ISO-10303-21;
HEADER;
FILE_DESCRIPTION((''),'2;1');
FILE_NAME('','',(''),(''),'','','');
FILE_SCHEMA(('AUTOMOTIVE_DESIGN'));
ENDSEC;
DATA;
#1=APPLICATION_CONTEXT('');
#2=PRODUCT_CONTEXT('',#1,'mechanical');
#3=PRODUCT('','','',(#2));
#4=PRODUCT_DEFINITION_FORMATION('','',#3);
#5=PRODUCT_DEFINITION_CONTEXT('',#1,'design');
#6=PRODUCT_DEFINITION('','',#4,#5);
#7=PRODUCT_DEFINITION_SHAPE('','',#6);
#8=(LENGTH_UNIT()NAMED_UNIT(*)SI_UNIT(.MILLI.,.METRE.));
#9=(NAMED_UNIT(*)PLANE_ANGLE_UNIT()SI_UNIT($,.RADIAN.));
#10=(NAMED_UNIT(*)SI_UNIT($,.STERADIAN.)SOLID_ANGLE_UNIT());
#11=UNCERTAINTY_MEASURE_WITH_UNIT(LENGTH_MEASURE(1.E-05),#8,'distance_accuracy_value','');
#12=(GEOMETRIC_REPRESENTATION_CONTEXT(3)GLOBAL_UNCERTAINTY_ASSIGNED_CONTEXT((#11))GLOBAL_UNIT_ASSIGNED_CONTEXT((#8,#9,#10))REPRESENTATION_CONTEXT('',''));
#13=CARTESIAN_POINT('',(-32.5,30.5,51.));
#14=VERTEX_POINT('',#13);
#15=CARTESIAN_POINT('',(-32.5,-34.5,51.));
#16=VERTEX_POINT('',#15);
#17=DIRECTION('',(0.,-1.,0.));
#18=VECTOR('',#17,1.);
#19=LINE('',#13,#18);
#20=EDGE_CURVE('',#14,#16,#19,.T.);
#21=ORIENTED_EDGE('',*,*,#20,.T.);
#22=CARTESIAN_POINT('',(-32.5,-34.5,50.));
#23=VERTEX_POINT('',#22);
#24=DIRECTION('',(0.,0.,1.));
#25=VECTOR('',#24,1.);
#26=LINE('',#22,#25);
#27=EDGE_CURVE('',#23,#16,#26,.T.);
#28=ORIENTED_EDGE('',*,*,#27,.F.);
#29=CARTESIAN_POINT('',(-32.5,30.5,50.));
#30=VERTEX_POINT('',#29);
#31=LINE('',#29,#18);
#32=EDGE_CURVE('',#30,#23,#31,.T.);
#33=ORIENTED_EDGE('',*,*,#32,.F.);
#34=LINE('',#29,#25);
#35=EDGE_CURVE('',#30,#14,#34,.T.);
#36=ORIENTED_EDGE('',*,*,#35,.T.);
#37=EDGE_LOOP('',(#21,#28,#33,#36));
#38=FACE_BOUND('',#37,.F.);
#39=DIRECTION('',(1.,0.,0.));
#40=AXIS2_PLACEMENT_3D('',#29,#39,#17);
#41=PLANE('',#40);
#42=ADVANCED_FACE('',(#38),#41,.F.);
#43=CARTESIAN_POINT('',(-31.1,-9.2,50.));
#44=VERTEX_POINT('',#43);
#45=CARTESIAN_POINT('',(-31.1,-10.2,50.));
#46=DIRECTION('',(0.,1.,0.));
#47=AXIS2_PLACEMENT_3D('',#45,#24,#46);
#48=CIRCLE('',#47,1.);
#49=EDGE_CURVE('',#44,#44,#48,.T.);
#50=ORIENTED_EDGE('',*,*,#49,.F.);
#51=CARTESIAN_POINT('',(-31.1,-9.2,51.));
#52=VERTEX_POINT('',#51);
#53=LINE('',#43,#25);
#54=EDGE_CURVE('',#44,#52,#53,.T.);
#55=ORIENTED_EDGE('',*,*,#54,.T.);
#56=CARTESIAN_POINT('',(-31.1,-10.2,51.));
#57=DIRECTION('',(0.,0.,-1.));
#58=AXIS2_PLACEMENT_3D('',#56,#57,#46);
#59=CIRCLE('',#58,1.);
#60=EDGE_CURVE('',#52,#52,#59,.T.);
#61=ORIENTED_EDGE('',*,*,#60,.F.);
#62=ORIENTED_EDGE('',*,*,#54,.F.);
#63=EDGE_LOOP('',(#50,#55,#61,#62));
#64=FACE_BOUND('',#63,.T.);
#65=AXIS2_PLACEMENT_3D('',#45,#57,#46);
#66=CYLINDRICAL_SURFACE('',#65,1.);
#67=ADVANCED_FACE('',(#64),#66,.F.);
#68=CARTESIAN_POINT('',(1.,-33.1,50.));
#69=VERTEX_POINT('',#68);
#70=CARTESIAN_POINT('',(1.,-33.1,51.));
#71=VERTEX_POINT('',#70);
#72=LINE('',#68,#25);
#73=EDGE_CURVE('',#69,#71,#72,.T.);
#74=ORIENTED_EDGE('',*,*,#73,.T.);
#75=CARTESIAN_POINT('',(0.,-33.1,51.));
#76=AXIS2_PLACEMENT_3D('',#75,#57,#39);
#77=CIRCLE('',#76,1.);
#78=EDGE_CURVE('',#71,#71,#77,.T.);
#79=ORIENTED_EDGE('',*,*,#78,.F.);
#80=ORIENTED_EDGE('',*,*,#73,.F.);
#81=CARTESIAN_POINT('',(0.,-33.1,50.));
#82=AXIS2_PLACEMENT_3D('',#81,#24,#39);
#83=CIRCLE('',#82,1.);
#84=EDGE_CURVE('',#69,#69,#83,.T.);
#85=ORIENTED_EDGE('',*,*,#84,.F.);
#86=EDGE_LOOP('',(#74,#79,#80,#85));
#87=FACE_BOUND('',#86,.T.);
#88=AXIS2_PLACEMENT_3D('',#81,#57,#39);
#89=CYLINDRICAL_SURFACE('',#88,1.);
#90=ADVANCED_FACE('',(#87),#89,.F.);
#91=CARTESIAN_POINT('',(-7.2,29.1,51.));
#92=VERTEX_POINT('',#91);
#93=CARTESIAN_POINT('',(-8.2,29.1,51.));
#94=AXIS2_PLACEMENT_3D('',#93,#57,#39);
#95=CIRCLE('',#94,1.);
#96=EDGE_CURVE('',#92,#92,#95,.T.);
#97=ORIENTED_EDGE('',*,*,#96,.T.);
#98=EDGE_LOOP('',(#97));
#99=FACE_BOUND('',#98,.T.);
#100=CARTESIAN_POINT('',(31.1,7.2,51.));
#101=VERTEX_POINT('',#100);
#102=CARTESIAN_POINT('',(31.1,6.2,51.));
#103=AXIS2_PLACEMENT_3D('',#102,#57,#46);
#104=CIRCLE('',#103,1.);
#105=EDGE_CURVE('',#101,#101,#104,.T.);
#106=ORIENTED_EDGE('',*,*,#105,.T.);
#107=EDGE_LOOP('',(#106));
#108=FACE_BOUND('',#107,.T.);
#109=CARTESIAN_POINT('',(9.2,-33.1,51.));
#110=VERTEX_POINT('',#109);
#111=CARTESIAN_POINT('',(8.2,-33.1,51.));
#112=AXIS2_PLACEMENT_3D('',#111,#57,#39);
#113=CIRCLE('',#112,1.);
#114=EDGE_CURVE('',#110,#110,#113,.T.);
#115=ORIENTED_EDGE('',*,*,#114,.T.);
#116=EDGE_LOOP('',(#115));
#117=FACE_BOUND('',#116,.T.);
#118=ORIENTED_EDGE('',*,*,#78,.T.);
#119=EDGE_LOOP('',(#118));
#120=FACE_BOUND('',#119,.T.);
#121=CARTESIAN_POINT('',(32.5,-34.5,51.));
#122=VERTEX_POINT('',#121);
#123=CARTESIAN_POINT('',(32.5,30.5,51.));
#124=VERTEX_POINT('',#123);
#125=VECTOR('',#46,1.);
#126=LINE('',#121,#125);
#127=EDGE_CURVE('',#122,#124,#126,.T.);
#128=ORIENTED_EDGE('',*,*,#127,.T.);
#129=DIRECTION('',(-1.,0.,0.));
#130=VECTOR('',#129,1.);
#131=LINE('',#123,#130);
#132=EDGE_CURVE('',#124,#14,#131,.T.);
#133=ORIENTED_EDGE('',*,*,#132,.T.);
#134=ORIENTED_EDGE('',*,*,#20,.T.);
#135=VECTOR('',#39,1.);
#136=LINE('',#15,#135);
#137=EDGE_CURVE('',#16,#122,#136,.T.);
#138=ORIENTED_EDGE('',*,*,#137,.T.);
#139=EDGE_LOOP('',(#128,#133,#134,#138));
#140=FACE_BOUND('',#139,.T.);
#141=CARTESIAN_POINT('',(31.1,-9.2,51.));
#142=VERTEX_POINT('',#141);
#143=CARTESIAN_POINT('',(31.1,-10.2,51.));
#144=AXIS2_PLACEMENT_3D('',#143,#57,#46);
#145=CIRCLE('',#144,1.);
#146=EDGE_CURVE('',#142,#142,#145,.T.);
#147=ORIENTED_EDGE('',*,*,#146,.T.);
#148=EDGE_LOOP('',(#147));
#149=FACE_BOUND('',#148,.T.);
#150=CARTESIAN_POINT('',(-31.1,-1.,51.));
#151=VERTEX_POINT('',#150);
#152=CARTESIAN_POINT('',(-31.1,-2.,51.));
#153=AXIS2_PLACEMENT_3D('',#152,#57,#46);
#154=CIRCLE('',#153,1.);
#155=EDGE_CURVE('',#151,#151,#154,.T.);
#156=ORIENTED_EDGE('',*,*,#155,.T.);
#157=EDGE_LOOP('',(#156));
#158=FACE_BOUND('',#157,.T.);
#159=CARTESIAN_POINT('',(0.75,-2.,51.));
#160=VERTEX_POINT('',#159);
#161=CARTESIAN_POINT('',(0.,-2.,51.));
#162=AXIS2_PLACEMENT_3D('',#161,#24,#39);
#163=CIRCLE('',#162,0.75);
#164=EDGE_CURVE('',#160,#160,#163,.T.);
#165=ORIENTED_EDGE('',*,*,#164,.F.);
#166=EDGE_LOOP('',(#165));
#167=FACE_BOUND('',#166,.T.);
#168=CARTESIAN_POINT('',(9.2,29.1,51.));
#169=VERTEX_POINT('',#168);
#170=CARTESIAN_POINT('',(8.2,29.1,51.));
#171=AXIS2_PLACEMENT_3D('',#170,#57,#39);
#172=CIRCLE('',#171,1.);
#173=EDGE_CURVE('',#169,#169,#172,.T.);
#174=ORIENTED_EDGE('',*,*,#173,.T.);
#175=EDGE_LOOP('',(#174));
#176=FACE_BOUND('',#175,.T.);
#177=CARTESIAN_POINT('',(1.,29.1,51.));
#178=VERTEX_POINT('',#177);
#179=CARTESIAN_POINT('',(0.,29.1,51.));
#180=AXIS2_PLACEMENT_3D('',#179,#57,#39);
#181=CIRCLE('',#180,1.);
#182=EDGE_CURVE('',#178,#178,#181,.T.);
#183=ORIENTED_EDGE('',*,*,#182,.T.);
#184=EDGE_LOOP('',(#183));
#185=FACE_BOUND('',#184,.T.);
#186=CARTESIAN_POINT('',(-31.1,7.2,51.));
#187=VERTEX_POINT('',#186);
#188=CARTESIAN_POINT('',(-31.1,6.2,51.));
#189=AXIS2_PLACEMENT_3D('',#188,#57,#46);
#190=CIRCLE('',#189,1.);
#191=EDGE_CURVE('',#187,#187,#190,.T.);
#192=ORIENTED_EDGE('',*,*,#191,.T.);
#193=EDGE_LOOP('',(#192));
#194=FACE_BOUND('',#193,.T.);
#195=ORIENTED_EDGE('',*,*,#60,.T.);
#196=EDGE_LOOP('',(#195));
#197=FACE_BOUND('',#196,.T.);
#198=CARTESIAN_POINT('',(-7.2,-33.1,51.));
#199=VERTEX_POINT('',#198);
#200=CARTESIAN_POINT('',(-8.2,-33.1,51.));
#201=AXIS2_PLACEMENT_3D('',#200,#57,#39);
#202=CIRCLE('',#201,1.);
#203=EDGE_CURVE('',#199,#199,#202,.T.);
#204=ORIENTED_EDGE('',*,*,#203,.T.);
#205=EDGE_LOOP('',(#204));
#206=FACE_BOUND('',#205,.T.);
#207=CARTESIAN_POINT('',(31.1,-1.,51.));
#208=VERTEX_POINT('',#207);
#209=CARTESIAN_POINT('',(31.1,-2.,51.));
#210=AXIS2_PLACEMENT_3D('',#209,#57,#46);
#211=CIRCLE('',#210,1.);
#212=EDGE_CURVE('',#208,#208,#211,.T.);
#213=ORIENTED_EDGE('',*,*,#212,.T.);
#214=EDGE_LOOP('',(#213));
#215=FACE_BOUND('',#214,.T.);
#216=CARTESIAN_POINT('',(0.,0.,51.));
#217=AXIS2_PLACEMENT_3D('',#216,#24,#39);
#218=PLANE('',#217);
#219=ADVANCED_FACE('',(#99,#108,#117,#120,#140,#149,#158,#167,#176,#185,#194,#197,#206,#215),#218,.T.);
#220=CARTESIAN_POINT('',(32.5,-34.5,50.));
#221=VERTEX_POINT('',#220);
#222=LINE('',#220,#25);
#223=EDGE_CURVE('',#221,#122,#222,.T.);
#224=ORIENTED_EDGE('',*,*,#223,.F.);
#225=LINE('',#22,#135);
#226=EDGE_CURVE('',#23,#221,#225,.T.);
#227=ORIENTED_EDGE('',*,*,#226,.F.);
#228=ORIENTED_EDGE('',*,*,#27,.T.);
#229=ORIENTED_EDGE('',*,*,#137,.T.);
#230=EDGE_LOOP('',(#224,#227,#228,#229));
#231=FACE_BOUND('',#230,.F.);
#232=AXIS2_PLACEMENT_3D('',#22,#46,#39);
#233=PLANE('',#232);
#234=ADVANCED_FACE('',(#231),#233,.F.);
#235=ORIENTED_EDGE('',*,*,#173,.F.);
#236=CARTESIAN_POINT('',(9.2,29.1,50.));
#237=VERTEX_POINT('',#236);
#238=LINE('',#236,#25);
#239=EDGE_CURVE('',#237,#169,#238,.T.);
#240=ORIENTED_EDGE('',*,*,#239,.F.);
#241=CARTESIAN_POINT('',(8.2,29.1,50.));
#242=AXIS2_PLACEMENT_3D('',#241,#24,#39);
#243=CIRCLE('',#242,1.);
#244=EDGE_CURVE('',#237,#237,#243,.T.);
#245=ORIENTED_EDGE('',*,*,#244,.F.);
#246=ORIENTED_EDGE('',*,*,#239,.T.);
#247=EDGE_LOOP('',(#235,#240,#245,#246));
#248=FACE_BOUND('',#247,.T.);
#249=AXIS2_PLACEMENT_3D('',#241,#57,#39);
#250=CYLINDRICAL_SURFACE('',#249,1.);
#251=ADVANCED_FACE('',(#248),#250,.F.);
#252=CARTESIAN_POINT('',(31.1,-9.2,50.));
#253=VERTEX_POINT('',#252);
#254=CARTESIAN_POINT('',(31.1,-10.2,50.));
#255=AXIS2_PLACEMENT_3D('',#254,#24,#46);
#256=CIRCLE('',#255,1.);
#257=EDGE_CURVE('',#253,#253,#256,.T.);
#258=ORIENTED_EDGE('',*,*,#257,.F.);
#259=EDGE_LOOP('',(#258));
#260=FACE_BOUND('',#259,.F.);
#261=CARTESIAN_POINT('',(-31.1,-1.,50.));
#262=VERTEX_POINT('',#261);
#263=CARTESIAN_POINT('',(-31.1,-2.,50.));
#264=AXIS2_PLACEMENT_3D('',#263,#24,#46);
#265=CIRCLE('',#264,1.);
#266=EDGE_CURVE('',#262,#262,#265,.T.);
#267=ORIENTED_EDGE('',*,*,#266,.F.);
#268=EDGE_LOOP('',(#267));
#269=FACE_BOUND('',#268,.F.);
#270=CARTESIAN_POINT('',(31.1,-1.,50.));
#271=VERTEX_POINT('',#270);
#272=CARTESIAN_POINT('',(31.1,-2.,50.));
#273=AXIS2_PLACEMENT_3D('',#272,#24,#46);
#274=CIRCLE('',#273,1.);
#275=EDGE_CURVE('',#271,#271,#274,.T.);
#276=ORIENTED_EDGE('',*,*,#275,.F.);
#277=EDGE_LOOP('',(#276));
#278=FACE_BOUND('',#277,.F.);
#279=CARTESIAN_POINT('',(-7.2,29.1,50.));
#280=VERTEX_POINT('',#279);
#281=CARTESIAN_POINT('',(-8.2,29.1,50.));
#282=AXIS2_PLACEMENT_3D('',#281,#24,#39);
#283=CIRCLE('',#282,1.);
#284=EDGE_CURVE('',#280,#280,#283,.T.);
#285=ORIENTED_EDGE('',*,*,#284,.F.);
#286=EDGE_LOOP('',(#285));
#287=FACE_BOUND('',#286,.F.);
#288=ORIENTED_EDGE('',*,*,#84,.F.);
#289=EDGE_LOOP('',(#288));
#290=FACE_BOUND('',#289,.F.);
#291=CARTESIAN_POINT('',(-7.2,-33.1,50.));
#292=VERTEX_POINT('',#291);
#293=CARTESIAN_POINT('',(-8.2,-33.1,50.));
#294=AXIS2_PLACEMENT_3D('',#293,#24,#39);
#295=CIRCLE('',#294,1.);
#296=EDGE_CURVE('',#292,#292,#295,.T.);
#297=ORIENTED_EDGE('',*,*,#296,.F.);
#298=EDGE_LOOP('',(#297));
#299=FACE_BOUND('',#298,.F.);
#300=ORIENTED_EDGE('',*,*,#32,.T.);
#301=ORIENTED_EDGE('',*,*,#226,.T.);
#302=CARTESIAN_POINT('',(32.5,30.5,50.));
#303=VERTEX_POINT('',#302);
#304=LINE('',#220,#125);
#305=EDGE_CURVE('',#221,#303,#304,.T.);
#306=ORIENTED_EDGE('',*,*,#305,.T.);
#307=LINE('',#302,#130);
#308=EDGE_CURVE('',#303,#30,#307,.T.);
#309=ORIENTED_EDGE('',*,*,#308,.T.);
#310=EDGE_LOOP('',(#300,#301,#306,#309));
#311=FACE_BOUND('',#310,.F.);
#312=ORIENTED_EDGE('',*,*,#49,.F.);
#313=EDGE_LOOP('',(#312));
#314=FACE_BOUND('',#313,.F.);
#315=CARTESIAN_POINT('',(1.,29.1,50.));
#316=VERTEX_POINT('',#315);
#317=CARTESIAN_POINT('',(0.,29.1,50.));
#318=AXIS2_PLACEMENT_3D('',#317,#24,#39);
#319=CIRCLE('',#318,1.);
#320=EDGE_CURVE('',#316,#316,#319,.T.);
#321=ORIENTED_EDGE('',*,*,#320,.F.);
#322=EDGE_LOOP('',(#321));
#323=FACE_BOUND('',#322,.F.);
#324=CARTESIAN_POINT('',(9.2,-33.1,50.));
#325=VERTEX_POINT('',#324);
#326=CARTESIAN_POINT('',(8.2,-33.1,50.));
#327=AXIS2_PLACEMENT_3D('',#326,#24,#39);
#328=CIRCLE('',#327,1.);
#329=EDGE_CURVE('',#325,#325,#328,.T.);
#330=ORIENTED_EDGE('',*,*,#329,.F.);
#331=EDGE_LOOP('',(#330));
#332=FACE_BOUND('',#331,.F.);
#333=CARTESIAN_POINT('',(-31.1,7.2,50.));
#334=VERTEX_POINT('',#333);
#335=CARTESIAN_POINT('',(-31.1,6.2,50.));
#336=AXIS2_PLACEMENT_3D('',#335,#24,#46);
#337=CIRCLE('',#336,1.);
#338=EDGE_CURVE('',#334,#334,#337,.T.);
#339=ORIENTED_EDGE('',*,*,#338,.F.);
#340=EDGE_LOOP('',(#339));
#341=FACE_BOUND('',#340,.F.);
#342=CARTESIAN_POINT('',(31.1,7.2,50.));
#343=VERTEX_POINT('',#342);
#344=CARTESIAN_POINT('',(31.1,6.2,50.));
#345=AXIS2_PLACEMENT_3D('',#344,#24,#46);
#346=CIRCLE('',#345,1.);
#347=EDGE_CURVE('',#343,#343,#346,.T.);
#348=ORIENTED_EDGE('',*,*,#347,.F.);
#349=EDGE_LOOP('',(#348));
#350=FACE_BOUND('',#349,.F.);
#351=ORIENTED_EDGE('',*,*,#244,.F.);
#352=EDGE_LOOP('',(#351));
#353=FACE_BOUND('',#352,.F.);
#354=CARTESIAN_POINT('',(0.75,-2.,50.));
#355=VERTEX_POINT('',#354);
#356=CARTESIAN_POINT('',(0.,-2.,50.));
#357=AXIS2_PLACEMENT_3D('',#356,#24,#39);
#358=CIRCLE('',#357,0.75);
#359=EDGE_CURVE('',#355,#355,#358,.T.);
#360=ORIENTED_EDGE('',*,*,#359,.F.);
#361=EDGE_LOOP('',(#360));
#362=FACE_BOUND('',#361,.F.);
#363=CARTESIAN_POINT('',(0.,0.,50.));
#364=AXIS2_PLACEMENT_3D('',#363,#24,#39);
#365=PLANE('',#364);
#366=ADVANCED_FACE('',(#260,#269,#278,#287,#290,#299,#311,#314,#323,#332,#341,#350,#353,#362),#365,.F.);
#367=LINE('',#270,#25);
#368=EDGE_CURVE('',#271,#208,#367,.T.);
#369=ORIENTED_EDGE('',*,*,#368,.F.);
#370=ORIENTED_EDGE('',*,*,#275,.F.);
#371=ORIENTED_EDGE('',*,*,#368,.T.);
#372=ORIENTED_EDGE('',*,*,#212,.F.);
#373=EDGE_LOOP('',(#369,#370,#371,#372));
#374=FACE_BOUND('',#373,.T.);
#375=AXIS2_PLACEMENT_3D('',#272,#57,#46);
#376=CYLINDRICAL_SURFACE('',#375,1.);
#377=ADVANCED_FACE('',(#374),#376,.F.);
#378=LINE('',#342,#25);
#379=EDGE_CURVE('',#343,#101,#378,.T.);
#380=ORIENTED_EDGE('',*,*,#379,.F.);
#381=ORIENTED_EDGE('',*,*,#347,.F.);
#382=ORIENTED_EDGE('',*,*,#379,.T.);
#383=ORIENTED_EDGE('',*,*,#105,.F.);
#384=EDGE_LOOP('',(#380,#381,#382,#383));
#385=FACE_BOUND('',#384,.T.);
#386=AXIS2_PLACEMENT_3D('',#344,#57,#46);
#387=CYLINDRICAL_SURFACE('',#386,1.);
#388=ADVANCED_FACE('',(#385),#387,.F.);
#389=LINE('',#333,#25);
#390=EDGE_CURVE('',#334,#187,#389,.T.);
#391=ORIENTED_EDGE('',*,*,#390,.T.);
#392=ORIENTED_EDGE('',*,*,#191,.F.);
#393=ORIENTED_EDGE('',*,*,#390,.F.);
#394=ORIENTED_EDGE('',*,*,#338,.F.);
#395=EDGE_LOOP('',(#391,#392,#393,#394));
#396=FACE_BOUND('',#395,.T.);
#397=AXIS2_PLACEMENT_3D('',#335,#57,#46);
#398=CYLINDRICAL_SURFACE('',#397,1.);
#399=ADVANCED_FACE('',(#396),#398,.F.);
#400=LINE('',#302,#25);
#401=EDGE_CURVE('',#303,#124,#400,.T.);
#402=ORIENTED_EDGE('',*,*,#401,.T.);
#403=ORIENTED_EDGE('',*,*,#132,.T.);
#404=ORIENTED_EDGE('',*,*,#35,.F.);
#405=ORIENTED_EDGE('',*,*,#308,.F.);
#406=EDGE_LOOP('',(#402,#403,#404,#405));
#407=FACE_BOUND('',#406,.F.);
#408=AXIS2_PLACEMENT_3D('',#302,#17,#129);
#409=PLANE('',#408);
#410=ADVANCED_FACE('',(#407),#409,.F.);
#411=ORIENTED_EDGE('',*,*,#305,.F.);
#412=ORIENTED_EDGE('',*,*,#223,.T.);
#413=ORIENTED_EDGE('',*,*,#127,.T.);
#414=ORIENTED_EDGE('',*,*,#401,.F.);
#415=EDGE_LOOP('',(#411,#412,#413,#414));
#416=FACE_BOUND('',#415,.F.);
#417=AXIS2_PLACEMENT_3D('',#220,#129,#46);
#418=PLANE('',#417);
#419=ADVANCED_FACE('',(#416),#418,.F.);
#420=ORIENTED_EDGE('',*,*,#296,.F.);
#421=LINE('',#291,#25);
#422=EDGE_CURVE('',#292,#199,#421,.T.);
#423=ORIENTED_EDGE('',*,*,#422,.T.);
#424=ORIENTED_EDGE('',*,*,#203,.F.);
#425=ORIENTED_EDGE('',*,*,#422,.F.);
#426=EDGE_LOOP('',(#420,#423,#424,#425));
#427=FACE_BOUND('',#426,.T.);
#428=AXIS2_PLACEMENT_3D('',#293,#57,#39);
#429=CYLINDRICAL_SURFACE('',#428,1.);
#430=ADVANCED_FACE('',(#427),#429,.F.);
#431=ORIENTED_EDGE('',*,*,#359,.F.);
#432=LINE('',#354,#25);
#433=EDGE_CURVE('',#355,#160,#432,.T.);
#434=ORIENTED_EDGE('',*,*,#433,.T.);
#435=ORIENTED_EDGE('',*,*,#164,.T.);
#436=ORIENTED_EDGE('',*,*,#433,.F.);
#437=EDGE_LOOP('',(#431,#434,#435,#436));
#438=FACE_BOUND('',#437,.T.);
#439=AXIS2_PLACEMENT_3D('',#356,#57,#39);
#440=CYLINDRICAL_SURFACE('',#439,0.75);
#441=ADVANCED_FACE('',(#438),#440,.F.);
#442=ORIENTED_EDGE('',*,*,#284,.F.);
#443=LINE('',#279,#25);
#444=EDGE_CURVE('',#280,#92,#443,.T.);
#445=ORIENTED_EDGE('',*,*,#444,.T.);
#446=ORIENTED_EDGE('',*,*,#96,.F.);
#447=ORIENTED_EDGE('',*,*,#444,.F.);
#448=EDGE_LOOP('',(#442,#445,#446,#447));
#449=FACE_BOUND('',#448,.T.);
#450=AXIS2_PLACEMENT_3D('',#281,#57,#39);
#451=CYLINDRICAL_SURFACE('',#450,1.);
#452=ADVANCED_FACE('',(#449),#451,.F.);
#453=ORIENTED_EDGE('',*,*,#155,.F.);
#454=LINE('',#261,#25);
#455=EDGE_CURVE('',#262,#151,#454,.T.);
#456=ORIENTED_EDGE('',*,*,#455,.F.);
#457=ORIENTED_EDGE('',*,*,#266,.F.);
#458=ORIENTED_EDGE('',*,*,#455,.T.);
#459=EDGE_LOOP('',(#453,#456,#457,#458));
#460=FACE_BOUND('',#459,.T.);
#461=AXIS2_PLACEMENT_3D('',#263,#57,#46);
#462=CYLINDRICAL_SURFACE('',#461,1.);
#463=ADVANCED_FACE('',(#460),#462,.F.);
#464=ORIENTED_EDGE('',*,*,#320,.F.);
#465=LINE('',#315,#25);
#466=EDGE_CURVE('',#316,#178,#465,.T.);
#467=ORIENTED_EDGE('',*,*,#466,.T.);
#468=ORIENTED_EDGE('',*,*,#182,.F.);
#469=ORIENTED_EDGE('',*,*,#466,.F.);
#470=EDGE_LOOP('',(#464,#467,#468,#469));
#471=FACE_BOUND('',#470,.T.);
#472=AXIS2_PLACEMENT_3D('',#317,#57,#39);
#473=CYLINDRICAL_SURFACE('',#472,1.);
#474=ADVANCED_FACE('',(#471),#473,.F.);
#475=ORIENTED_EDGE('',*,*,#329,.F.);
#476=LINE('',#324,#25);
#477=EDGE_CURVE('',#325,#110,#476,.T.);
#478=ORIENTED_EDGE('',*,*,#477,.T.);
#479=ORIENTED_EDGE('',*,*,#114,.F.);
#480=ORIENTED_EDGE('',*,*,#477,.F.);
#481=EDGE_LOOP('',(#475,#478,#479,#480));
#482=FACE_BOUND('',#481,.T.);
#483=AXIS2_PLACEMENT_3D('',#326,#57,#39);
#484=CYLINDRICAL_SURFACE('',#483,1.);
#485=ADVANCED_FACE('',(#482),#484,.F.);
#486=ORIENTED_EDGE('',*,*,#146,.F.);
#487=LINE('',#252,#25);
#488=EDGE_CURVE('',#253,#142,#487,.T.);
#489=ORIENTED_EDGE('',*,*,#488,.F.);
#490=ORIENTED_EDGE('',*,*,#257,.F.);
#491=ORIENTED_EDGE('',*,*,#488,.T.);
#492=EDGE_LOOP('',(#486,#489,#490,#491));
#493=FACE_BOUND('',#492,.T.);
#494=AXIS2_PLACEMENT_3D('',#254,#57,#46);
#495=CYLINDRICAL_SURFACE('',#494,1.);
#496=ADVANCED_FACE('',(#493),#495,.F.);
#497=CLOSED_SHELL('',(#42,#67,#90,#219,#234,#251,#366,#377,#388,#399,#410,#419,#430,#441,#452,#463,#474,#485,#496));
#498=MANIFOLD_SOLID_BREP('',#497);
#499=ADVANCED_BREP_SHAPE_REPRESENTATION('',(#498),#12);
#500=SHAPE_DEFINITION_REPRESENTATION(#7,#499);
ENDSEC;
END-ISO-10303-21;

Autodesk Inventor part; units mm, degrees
ref_plane "YZ Plane" through (0, 0, 0) normal (1, 0, 0) x (0, 1, 0)
ref_plane "XZ Plane" through (0, 0, 0) normal (0, 1, 0) x (-1, 0, 0)
ref_plane "XY Plane" through (0, 0, 0) normal (0, 0, 1) x (1, 0, 0)
ref_plane "Arbeitsebene1" through (0, 0, 50) normal (0, 0, 1) x (1, 0, 0)
sketch "Skizze1" plane through (0, 0, 50) normal (0, 0, 1) x (1, 0, 0)
  circle A0 centre (0, -2) radius 0.75 projected
  line L0 (32.5, 30.5) -> (-32.5, 30.5)
  line L1 (-32.5, 30.5) -> (-32.5, -34.5)
  line L2 (-32.5, -34.5) -> (32.5, -34.5)
  line L3 (32.5, -34.5) -> (32.5, 30.5)
  line L4 (32.5, 30.5) -> (-32.5, -34.5) construction
  line L5 (-32.5, 30.5) -> (32.5, -34.5) construction
  point P0 (0, 0)
  dimension "d0" = 65
  dimension "d1" = 65
extrude "Extrusion1" add sketch "Skizze1" along normal blind 1
sketch "Skizze2" plane through (0, 0, 50) normal (0, 0, 1) x (1, 0, 0)
  circle A0 centre (0, -2) radius 0.75 projected
  line L0 (32.5, 30.5) -> (-32.5, 30.5) projected
  line L1 (-32.5, 30.5) -> (-32.5, -34.5) projected
  line L2 (-32.5, -34.5) -> (32.5, -34.5) projected
  line L3 (32.5, -34.5) -> (32.5, 30.5) projected
  circle A1 centre (0, -33.1) radius 1
  circle A2 centre (0, 29.1) radius 1
  circle A3 centre (8.2, -33.1) radius 1
  circle A4 centre (-8.2, -33.1) radius 1
  circle A5 centre (-8.2, 29.1) radius 1
  circle A6 centre (8.2, 29.1) radius 1
  point P0 (0, 0)
  point P1 (3.8, 10.2517)
  dimension "d4" = 2
  dimension "d5" = 2
  dimension "d6" = 1.4
  dimension "d7" = 1.4
  dimension "d8" = 2
  dimension "d9" = 2
  dimension "d10" = 2
  dimension "d11" = 2
extrude "Extrusion2" cut sketch "Skizze2" along normal blind 1 contours A1 | A2 | A3 | A4 | A5 | A6
pattern_circular "Runde Anordnung1" count 4 over 360 about axis through (0, -2, 50) along (0, 0, 1) of "Extrusion2"
properties part number "00_LED-ARRAY"
